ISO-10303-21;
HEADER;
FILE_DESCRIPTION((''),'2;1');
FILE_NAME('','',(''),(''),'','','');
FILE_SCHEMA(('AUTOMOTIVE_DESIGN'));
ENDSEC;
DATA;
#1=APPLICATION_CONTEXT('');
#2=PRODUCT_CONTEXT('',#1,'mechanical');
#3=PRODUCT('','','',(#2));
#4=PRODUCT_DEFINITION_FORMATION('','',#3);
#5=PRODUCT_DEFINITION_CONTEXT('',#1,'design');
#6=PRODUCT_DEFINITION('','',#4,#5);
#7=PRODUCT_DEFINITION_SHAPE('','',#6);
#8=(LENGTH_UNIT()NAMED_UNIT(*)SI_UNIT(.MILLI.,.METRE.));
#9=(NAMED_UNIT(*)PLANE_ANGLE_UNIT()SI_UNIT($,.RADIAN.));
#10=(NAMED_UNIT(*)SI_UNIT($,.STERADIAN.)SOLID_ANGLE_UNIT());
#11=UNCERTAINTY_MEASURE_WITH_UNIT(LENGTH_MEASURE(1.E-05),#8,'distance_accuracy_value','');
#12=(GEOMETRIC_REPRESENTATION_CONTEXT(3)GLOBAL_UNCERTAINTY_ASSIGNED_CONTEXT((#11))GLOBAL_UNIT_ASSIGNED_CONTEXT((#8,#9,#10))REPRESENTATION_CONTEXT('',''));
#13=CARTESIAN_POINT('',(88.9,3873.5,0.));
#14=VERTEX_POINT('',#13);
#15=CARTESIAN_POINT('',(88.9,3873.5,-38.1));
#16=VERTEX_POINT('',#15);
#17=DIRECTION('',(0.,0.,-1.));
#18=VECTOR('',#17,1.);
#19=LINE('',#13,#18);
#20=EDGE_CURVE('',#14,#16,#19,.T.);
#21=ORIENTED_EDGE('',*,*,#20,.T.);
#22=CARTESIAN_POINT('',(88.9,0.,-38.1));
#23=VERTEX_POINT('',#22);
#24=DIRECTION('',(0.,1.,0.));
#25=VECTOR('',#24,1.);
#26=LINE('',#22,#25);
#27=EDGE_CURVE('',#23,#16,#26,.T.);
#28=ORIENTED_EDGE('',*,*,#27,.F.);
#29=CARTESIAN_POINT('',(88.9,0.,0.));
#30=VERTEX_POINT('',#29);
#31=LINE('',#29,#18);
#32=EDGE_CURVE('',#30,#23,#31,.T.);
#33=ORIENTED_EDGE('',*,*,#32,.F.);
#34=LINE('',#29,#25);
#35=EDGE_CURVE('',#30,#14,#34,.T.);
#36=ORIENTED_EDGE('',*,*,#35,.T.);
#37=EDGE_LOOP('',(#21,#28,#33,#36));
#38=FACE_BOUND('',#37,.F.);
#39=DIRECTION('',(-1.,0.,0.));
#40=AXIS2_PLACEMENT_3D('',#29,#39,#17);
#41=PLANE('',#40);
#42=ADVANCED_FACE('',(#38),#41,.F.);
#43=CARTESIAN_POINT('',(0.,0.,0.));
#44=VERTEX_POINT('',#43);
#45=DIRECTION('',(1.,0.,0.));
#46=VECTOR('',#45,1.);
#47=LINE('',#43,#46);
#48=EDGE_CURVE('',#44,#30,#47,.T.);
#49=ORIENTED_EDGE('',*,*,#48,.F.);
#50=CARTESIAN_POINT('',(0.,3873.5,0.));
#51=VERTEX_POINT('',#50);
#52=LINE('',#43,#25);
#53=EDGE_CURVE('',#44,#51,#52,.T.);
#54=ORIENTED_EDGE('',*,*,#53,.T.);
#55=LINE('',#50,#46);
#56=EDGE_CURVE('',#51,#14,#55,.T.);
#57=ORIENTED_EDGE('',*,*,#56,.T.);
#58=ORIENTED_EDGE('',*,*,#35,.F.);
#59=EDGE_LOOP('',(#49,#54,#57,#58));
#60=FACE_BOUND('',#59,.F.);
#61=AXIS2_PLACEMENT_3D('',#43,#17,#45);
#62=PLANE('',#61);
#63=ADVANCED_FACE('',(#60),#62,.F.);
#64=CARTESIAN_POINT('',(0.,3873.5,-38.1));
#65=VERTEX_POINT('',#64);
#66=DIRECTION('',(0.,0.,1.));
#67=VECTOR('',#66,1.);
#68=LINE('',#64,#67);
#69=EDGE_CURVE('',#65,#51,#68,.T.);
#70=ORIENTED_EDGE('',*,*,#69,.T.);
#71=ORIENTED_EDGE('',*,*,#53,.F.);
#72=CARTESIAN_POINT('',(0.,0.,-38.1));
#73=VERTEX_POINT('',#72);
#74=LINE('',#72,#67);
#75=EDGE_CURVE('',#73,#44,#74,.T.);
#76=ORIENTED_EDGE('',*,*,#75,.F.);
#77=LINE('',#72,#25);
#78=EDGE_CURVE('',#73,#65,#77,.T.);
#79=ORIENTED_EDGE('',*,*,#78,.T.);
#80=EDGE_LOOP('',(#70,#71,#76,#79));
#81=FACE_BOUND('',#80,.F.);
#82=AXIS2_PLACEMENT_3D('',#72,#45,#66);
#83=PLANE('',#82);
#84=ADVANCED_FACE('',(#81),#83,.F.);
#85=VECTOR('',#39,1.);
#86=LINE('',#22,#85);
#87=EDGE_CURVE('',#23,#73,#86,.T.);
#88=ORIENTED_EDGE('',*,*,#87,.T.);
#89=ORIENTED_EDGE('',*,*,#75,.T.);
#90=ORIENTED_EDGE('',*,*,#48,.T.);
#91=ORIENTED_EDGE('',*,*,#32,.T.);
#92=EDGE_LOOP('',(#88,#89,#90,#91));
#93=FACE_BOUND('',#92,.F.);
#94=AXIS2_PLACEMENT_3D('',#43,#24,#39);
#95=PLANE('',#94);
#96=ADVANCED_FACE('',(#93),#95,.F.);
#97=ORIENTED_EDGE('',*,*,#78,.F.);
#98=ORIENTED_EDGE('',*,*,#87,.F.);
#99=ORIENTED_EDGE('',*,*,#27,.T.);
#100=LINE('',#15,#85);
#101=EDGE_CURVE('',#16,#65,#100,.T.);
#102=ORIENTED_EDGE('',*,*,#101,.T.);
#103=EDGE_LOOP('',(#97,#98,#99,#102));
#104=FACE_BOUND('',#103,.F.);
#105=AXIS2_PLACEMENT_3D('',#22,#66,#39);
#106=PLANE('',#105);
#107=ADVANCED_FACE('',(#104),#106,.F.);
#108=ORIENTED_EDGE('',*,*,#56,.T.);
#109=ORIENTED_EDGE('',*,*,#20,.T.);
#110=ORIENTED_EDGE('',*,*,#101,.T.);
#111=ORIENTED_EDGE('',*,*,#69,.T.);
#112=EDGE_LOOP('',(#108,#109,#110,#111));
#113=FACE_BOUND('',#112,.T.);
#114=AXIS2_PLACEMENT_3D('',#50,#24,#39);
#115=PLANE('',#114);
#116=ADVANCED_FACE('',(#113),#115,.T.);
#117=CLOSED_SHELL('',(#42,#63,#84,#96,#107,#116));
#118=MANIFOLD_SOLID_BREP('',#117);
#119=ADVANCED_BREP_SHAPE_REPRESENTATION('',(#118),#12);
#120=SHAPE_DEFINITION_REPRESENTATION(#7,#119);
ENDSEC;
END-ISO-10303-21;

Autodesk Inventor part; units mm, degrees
ref_plane "YZ Plane" through (0, 0, 0) normal (1, 0, 0) x (0, 1, 0)
ref_plane "XZ Plane" through (0, 0, 0) normal (0, 1, 0) x (-1, 0, 0)
ref_plane "XY Plane" through (0, 0, 0) normal (0, 0, 1) x (1, 0, 0)
sketch "Sketch1" plane through (0, 0, 0) normal (0, 1, 0) x (-1, 0, 0)
  line L0 (0, 0) -> (-88.9, 0)
  line L1 (-88.9, 0) -> (-88.9, -38.1)
  line L2 (-88.9, -38.1) -> (0, -38.1)
  line L3 (0, -38.1) -> (0, 0)
  dimension "d0" = 38.1
  dimension "d1" = 88.9
extrude "Extrusion1" add sketch "Sketch1" along normal blind 3873.5
properties part number "Top Board"
